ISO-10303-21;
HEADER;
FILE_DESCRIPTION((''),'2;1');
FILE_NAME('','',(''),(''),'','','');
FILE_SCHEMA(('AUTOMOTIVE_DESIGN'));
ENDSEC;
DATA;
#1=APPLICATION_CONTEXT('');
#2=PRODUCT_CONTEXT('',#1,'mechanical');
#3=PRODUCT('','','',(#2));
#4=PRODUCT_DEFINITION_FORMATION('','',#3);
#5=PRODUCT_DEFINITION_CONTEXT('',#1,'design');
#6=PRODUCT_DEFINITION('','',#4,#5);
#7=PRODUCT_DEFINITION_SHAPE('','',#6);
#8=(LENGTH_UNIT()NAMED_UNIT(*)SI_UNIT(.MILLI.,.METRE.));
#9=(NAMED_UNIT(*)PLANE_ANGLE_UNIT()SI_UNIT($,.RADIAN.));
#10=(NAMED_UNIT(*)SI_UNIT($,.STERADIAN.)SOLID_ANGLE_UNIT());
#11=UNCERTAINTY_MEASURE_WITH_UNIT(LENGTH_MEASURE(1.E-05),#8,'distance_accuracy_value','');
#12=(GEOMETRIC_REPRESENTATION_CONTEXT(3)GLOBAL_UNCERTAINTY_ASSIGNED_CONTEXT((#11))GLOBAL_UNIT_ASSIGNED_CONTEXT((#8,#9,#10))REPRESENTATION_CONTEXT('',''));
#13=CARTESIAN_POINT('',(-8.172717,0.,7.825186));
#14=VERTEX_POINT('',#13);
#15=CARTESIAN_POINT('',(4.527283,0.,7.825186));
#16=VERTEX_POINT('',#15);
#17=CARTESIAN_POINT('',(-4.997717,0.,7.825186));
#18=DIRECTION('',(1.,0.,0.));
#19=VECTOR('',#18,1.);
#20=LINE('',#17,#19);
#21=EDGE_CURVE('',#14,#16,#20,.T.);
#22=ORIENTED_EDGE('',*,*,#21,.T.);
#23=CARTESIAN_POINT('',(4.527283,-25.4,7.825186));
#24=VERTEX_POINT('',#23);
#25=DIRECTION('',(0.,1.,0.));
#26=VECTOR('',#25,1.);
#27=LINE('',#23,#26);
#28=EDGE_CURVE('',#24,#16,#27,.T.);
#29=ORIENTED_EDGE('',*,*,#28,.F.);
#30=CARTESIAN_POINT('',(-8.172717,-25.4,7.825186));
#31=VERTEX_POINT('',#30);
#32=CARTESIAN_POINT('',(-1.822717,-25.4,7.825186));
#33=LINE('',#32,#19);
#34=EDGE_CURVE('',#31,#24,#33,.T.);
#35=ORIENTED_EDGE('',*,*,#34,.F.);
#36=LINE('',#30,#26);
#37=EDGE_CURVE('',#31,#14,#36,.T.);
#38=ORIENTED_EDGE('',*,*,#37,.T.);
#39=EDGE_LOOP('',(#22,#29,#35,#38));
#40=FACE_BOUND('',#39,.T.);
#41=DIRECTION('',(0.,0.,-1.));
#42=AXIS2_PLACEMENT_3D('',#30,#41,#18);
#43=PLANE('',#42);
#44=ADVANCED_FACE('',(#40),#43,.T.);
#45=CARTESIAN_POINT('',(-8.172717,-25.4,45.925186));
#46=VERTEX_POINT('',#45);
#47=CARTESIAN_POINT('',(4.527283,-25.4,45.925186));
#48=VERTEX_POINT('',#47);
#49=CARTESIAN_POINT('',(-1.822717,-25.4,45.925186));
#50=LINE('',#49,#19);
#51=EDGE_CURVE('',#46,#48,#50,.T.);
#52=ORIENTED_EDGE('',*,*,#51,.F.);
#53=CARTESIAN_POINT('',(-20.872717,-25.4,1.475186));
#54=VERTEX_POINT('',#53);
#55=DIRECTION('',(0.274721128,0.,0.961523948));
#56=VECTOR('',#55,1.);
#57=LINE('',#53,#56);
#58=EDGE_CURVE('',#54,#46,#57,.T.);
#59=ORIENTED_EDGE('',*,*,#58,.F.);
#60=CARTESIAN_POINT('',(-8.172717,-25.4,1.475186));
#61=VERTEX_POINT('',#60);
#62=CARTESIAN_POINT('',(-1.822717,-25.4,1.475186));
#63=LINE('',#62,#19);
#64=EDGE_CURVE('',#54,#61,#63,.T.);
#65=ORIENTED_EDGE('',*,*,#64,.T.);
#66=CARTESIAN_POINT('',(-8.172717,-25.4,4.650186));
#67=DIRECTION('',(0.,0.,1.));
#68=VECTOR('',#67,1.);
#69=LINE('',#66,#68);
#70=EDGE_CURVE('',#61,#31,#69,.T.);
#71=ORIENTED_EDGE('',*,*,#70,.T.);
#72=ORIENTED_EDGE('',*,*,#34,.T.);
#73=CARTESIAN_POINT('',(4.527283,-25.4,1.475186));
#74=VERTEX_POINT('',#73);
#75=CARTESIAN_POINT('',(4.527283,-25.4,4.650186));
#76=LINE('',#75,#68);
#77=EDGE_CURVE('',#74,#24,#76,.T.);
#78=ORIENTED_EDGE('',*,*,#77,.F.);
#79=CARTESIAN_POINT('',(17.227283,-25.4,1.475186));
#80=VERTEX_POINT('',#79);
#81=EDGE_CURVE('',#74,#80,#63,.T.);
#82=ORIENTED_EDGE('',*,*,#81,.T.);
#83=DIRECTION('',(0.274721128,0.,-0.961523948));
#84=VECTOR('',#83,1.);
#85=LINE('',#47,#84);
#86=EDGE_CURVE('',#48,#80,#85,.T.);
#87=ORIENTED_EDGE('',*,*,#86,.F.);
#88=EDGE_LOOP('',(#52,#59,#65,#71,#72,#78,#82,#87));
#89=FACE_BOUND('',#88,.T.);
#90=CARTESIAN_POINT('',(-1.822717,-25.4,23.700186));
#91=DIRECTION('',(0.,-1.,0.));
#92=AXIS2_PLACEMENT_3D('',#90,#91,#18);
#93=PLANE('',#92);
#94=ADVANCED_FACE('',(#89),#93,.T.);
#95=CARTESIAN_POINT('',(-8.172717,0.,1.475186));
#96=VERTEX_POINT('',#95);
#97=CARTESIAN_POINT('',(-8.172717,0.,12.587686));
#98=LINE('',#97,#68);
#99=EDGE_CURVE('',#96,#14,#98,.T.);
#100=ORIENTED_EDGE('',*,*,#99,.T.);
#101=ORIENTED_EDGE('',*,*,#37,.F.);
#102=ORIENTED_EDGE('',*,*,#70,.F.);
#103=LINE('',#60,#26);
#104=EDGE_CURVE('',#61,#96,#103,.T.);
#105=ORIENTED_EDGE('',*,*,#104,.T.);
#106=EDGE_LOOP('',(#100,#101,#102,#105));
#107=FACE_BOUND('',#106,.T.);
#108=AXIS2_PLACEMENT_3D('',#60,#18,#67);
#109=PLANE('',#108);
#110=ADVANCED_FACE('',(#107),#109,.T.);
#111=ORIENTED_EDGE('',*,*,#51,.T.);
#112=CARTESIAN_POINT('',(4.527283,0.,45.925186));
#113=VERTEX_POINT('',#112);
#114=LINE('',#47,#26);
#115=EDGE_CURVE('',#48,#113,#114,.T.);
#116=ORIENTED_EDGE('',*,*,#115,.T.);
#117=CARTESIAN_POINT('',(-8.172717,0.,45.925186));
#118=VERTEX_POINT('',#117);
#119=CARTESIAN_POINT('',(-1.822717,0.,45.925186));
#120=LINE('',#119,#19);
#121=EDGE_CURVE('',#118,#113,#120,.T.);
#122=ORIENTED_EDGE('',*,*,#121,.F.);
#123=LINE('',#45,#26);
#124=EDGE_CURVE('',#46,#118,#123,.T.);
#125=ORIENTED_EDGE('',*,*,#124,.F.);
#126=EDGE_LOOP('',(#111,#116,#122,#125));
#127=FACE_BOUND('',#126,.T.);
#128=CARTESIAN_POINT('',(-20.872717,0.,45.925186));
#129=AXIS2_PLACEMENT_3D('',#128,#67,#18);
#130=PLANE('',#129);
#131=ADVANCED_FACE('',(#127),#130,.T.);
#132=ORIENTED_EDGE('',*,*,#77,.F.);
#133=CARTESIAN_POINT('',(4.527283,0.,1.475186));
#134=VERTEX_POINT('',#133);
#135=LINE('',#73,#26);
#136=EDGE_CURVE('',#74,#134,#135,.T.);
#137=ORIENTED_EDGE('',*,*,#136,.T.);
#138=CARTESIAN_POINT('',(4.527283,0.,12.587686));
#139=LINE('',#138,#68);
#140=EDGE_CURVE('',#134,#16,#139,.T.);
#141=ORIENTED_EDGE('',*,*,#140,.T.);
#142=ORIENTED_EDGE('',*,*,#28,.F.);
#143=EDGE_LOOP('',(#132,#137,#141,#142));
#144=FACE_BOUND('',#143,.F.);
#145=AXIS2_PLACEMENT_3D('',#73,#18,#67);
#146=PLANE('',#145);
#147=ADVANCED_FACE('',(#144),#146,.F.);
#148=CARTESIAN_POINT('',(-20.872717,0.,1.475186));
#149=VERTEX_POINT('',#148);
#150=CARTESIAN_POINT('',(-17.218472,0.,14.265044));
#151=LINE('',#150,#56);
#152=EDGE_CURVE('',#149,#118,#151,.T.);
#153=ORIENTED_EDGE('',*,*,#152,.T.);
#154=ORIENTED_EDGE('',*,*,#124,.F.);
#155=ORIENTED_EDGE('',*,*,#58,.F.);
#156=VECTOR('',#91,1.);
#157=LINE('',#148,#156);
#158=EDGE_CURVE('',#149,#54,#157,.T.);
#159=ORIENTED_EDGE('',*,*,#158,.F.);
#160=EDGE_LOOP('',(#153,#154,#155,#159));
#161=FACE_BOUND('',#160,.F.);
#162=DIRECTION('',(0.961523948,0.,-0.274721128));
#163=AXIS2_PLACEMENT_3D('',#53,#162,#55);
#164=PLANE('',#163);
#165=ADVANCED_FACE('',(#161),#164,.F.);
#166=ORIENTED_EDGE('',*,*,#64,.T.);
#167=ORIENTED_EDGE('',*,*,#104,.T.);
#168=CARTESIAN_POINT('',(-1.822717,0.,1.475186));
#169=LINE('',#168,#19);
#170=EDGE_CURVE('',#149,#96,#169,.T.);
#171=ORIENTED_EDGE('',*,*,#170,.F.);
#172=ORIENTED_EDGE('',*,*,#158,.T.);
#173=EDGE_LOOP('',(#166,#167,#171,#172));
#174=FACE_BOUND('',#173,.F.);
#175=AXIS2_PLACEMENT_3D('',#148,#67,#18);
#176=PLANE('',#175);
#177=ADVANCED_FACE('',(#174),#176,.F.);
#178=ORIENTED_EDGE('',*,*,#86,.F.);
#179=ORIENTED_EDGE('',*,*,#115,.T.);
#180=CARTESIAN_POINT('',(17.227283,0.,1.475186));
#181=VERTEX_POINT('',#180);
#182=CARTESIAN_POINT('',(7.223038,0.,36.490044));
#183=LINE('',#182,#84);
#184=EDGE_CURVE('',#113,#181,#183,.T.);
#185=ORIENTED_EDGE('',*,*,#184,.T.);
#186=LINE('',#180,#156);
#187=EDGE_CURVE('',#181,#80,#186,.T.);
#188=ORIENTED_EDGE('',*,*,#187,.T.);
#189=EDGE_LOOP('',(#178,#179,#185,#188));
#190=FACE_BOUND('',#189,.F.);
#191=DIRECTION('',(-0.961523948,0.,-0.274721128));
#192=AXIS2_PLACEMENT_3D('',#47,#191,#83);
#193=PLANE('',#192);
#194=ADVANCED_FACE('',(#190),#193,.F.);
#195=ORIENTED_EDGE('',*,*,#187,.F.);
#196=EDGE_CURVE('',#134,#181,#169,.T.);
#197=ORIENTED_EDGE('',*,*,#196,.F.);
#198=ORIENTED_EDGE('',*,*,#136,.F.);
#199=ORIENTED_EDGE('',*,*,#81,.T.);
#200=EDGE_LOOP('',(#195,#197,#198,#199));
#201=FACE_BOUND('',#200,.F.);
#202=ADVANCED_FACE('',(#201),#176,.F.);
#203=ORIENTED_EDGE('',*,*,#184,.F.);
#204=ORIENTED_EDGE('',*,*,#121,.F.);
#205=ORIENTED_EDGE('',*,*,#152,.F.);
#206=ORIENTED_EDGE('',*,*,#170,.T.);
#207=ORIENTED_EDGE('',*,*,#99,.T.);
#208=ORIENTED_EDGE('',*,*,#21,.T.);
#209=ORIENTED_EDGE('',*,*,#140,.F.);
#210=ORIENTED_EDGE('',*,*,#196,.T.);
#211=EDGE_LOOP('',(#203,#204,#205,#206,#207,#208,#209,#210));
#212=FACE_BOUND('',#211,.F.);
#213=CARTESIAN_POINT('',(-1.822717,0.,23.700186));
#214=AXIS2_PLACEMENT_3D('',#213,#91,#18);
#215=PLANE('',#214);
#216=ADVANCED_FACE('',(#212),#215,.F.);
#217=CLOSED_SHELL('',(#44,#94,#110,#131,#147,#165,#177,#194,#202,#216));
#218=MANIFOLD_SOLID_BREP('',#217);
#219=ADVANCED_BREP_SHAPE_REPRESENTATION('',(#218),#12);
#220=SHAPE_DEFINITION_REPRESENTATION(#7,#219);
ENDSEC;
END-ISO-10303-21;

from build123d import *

# Parameters (mm, degrees)
F0_W     = 38.1
F0_H     = 44.45
F1_DEPTH = 25.4
F3_DEPTH = 25.401
F5_DEPTH = 25.401
F6_W     = 12.7
F6_H     = 6.35
F7_DEPTH = 25.401


with BuildPart() as f1:
    # F0 (on Front) → F1 (new body)
    with BuildSketch(Plane.XZ):
        with Locations((-1.822717, 23.700186)):
            Rectangle(F0_W, F0_H)
    extrude(amount=F1_DEPTH)

    # F2 (on face) → F3 (cut, through all)
    with BuildSketch(Plane.XZ.offset(25.4)):
        Polygon((17.227283, 45.925186), (4.527283, 45.925186), (17.227283, 1.475186), align=None)
    extrude(amount=-F3_DEPTH, mode=Mode.SUBTRACT)

    # F4 (on face) → F5 (cut, through all)
    with BuildSketch(Plane.XZ.offset(25.4)):
        Polygon((-20.872717, 1.475186), (-8.172717, 45.925186), (-20.872717, 45.925186), align=None)
    extrude(amount=-F5_DEPTH, mode=Mode.SUBTRACT)

    # F6 (on face) → F7 (cut, through all)
    with BuildSketch(Plane.XZ.offset(25.4)):
        with Locations((-1.822717, 4.650186)):
            Rectangle(F6_W, F6_H)
    extrude(amount=-F7_DEPTH, mode=Mode.SUBTRACT)


solid = f1.part
